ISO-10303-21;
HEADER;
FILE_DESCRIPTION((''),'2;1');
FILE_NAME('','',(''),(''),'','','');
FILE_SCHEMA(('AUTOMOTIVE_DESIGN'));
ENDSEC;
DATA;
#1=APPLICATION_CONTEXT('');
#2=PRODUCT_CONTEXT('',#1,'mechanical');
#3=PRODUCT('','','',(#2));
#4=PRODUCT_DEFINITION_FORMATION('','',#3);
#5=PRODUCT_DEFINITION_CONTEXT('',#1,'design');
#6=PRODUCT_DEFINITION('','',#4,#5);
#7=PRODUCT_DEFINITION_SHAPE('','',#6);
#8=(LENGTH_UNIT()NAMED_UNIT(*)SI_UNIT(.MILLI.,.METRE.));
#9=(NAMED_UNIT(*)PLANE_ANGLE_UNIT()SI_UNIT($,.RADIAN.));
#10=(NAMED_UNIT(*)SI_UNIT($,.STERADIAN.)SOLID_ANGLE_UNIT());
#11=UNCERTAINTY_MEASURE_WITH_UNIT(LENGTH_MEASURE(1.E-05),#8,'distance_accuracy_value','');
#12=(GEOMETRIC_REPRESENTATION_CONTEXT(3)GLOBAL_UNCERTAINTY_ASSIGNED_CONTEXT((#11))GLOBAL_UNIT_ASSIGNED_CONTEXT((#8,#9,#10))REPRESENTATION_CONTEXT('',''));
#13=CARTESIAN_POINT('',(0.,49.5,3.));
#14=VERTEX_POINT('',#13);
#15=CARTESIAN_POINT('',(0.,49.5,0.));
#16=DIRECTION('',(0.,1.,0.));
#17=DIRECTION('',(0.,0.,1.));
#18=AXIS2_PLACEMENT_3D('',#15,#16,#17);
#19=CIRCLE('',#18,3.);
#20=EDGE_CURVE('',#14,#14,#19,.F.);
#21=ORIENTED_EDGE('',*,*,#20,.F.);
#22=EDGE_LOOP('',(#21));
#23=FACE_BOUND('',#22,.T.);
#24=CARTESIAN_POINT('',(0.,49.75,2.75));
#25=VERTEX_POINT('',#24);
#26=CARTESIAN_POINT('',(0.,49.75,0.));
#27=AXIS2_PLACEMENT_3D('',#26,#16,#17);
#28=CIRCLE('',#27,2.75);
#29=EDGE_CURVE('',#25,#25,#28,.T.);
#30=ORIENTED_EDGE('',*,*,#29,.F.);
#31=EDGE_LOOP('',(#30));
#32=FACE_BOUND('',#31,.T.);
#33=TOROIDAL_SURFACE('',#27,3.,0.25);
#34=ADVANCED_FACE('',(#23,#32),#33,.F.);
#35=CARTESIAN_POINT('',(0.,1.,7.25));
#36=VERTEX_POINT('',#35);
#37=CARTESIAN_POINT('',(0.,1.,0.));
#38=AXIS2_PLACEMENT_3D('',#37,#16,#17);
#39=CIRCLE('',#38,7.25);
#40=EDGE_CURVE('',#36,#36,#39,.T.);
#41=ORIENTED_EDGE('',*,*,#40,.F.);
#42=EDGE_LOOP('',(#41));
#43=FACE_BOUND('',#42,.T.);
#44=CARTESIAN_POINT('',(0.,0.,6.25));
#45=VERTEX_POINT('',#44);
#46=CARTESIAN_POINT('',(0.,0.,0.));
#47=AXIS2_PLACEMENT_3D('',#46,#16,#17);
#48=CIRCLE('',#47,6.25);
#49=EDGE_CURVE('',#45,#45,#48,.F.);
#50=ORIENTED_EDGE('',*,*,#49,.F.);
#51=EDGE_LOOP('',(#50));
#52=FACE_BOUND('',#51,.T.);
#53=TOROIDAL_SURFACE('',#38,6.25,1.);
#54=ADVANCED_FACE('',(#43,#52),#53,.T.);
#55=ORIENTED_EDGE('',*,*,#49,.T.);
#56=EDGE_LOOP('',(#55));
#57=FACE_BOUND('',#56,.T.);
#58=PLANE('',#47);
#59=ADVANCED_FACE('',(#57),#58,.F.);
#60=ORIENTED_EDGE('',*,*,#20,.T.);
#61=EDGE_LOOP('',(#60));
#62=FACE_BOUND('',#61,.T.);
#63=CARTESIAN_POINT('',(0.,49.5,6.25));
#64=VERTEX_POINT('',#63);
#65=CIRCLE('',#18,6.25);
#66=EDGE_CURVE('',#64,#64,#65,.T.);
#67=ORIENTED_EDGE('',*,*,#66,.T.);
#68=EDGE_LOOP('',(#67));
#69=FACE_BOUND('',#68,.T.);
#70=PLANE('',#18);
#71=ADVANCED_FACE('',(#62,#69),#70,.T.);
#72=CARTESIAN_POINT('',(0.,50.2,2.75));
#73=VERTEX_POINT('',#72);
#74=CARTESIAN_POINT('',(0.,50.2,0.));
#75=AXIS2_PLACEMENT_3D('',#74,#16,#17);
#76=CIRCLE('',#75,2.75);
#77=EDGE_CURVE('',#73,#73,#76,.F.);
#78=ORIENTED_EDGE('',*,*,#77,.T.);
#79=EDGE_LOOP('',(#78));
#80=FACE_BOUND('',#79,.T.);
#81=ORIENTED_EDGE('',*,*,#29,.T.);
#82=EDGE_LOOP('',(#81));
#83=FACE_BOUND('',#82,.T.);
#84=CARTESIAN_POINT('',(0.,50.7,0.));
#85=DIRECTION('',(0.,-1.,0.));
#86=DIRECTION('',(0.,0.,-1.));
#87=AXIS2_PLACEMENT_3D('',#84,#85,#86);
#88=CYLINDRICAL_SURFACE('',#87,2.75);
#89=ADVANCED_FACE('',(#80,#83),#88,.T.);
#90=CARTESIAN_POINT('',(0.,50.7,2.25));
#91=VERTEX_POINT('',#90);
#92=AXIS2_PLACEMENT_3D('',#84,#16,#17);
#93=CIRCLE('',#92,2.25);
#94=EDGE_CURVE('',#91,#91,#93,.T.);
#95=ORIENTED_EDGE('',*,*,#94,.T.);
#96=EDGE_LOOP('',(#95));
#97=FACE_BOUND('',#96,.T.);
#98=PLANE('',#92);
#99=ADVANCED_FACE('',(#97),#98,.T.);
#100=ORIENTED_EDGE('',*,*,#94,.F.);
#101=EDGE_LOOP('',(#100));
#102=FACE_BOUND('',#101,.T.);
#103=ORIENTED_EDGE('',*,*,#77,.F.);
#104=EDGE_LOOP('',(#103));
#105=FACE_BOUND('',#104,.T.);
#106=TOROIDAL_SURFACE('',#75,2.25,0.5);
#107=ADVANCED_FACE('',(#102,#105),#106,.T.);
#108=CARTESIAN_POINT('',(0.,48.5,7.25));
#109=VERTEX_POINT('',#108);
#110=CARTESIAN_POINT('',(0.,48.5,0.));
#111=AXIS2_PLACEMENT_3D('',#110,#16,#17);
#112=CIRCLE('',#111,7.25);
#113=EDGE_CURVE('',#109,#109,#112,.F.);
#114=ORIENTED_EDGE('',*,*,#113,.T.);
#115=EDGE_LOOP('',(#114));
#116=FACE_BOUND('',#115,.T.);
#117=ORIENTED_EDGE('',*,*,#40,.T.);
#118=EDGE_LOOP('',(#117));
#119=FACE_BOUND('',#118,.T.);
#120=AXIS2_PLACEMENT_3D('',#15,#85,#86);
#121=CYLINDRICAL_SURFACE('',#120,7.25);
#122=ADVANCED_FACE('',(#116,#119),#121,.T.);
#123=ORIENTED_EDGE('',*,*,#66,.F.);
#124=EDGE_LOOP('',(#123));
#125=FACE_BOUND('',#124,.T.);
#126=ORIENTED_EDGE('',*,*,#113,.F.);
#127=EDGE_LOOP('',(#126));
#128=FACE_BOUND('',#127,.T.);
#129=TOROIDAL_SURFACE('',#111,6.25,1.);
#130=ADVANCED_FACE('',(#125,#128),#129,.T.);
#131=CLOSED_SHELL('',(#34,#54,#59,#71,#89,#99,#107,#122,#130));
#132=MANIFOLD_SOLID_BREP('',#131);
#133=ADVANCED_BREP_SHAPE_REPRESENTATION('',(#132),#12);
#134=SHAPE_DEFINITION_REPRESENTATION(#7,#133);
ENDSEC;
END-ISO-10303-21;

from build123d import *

# Parameters (mm, degrees)
SKETCH1_R           = 7.25
BOSS_EXTRUDE4_DEPTH = 49.5
SKETCH8_R           = 2.75
BOSS_EXTRUDE5_DEPTH = 1.2
FILLET1_R           = 1
FILLET3_R           = 0.25
FILLET4_R           = 0.5


with BuildPart() as part:
    # Sketch1 → Boss-Extrude4 (new body)
    with BuildSketch(Plane(origin=(0, 0, 0), x_dir=(1, 0, 0), z_dir=(0, 1, 0))):
        with Locations(Location((0, 0, 0), (0, 0, 270))):
            Circle(SKETCH1_R)
    extrude(amount=BOSS_EXTRUDE4_DEPTH)

    # Sketch8 → Boss-Extrude5 (add)
    with BuildSketch(Plane(origin=(0, 49.5, 0), x_dir=(1, 0, 0), z_dir=(0, 1, 0))):
        with Locations(Location((0, 0, 0), (0, 0, 270))):
            Circle(SKETCH8_R)
    extrude(amount=BOSS_EXTRUDE5_DEPTH)

    # Fillet1
    fillet1_edges = [part.edges().sort_by_distance(p)[0] for p in [
        (0, 0, -7.25),
        (0, 49.5, -7.25),
    ]]
    fillet(fillet1_edges, radius=FILLET1_R)

    # Fillet3
    fillet3_edges = [part.edges().sort_by_distance(p)[0] for p in [
        (0, 49.5, -2.75),
    ]]
    fillet(fillet3_edges, radius=FILLET3_R)

    # Fillet4
    fillet4_edges = [part.edges().sort_by_distance(p)[0] for p in [
        (0, 50.7, -2.75),
    ]]
    fillet(fillet4_edges, radius=FILLET4_R)


solid = part.part
